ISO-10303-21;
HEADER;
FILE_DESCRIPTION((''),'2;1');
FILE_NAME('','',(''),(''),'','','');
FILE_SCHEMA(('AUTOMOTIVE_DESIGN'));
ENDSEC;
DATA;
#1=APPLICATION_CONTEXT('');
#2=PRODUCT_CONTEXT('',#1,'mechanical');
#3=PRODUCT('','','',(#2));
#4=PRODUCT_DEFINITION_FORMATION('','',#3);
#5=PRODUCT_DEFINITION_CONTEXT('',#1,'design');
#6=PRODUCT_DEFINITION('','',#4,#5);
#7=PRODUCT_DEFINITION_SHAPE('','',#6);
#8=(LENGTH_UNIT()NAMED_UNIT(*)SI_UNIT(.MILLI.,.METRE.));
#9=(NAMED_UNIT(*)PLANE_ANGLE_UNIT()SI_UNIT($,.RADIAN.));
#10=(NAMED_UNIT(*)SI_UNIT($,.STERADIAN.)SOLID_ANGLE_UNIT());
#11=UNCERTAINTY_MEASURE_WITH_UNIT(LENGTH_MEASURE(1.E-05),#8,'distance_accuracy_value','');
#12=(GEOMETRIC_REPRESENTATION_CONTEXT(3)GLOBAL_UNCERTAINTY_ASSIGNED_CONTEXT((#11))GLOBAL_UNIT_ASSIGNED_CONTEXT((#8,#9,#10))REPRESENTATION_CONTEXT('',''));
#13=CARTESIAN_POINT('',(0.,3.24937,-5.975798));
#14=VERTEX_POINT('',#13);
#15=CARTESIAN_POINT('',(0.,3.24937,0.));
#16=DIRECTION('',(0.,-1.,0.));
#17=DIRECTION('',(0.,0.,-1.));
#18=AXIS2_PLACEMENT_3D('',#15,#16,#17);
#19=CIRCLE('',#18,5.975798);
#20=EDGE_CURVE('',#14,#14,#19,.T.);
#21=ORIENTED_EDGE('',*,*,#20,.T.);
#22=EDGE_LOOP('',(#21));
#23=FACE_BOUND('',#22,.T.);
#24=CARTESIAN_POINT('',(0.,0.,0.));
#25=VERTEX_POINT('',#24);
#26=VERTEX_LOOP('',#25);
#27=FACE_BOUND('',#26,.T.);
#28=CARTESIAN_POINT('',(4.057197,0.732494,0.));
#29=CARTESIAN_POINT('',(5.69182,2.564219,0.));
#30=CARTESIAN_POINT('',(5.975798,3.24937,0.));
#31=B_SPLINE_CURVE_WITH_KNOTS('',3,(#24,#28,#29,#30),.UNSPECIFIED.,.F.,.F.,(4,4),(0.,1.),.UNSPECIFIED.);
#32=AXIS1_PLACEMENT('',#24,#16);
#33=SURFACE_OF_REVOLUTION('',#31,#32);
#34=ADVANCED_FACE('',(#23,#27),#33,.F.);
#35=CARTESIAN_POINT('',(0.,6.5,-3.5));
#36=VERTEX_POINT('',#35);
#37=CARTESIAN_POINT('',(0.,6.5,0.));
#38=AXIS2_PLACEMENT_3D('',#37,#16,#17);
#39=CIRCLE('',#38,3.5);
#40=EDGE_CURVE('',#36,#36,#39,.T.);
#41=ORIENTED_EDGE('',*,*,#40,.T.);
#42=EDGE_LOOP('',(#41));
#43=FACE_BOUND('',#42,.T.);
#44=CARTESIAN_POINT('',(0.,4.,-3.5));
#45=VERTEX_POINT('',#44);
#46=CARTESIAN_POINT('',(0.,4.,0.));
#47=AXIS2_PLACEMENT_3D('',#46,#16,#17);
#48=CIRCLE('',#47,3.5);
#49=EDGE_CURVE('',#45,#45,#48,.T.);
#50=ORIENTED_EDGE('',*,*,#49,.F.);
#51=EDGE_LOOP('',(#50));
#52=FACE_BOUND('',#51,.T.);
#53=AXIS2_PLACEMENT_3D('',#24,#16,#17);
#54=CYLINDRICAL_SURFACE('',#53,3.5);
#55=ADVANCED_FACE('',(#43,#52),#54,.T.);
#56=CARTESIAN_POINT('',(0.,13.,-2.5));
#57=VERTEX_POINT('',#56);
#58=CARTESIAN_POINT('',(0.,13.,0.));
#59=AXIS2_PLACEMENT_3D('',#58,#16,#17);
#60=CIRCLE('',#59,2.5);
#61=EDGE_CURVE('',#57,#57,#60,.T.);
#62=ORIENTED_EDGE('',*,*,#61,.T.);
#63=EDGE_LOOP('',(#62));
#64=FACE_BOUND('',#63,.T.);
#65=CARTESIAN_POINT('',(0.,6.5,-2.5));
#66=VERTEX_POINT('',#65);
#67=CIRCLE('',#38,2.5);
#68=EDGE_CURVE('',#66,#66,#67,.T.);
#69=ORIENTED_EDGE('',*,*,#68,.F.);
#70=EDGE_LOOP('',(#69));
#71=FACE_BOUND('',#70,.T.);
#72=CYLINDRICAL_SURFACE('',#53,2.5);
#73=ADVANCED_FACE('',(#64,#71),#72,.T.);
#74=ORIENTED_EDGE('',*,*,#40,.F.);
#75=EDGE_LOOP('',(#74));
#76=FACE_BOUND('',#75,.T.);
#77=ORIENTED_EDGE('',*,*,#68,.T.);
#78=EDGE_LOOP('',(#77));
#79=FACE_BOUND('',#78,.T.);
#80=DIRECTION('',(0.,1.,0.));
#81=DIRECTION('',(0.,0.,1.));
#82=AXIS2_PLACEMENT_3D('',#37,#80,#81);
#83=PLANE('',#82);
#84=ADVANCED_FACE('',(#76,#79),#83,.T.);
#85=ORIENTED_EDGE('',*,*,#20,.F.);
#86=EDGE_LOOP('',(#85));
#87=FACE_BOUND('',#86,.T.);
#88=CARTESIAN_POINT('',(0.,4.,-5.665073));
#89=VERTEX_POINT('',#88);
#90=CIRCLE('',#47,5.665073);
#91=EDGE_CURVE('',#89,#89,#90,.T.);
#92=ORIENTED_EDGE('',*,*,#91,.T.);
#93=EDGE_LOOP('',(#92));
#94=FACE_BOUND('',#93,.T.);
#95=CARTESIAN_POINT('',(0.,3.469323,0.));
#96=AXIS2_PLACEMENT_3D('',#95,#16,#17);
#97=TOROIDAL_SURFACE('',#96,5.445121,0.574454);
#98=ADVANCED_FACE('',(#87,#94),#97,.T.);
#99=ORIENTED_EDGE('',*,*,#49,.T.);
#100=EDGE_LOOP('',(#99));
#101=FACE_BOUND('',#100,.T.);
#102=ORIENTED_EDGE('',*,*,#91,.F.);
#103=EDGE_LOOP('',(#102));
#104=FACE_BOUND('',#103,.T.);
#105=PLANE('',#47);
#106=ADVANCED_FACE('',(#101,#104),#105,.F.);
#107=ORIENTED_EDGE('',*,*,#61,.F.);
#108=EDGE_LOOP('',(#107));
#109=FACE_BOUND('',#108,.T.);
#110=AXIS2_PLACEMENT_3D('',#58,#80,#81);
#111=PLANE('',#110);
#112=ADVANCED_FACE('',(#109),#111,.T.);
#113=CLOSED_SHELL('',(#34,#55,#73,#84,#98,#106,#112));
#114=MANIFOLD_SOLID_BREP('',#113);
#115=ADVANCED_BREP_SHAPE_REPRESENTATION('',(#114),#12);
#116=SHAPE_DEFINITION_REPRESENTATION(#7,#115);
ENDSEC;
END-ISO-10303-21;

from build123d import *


with BuildPart() as part:
    # Sketch1 → Revolve1 (revolve)
    with BuildSketch(Plane.XY, mode=Mode.PRIVATE) as revolve1_sk:
        with BuildLine():
            Line((0, 0), (0, 4))
            Line((0, 4), (5.665073225, 4))
            ThreePointArc((5.665073225, 4), (5.975896248, 3.689038292), (5.975798184, 3.249370092))
            add(Edge.make_bspline(
                [(0, 0), (4.05719651, 0.732493998), (5.691820154, 2.564218754), (5.975798184, 3.249370092)],
                knots=[0, 0, 0, 0, 1, 1, 1, 1], degree=3))
        make_face()
        Polygon((0, 13), (0, 4), (3.5, 4), (3.5, 6.5), (2.5, 6.5), (2.5, 13), align=None)
    revolve(revolve1_sk.sketch.rotate(Axis((0, 0, 0), (0, 1, 0)), 90), axis=Axis((0, 0, 0), (0, 1, 0)))


solid = part.part
